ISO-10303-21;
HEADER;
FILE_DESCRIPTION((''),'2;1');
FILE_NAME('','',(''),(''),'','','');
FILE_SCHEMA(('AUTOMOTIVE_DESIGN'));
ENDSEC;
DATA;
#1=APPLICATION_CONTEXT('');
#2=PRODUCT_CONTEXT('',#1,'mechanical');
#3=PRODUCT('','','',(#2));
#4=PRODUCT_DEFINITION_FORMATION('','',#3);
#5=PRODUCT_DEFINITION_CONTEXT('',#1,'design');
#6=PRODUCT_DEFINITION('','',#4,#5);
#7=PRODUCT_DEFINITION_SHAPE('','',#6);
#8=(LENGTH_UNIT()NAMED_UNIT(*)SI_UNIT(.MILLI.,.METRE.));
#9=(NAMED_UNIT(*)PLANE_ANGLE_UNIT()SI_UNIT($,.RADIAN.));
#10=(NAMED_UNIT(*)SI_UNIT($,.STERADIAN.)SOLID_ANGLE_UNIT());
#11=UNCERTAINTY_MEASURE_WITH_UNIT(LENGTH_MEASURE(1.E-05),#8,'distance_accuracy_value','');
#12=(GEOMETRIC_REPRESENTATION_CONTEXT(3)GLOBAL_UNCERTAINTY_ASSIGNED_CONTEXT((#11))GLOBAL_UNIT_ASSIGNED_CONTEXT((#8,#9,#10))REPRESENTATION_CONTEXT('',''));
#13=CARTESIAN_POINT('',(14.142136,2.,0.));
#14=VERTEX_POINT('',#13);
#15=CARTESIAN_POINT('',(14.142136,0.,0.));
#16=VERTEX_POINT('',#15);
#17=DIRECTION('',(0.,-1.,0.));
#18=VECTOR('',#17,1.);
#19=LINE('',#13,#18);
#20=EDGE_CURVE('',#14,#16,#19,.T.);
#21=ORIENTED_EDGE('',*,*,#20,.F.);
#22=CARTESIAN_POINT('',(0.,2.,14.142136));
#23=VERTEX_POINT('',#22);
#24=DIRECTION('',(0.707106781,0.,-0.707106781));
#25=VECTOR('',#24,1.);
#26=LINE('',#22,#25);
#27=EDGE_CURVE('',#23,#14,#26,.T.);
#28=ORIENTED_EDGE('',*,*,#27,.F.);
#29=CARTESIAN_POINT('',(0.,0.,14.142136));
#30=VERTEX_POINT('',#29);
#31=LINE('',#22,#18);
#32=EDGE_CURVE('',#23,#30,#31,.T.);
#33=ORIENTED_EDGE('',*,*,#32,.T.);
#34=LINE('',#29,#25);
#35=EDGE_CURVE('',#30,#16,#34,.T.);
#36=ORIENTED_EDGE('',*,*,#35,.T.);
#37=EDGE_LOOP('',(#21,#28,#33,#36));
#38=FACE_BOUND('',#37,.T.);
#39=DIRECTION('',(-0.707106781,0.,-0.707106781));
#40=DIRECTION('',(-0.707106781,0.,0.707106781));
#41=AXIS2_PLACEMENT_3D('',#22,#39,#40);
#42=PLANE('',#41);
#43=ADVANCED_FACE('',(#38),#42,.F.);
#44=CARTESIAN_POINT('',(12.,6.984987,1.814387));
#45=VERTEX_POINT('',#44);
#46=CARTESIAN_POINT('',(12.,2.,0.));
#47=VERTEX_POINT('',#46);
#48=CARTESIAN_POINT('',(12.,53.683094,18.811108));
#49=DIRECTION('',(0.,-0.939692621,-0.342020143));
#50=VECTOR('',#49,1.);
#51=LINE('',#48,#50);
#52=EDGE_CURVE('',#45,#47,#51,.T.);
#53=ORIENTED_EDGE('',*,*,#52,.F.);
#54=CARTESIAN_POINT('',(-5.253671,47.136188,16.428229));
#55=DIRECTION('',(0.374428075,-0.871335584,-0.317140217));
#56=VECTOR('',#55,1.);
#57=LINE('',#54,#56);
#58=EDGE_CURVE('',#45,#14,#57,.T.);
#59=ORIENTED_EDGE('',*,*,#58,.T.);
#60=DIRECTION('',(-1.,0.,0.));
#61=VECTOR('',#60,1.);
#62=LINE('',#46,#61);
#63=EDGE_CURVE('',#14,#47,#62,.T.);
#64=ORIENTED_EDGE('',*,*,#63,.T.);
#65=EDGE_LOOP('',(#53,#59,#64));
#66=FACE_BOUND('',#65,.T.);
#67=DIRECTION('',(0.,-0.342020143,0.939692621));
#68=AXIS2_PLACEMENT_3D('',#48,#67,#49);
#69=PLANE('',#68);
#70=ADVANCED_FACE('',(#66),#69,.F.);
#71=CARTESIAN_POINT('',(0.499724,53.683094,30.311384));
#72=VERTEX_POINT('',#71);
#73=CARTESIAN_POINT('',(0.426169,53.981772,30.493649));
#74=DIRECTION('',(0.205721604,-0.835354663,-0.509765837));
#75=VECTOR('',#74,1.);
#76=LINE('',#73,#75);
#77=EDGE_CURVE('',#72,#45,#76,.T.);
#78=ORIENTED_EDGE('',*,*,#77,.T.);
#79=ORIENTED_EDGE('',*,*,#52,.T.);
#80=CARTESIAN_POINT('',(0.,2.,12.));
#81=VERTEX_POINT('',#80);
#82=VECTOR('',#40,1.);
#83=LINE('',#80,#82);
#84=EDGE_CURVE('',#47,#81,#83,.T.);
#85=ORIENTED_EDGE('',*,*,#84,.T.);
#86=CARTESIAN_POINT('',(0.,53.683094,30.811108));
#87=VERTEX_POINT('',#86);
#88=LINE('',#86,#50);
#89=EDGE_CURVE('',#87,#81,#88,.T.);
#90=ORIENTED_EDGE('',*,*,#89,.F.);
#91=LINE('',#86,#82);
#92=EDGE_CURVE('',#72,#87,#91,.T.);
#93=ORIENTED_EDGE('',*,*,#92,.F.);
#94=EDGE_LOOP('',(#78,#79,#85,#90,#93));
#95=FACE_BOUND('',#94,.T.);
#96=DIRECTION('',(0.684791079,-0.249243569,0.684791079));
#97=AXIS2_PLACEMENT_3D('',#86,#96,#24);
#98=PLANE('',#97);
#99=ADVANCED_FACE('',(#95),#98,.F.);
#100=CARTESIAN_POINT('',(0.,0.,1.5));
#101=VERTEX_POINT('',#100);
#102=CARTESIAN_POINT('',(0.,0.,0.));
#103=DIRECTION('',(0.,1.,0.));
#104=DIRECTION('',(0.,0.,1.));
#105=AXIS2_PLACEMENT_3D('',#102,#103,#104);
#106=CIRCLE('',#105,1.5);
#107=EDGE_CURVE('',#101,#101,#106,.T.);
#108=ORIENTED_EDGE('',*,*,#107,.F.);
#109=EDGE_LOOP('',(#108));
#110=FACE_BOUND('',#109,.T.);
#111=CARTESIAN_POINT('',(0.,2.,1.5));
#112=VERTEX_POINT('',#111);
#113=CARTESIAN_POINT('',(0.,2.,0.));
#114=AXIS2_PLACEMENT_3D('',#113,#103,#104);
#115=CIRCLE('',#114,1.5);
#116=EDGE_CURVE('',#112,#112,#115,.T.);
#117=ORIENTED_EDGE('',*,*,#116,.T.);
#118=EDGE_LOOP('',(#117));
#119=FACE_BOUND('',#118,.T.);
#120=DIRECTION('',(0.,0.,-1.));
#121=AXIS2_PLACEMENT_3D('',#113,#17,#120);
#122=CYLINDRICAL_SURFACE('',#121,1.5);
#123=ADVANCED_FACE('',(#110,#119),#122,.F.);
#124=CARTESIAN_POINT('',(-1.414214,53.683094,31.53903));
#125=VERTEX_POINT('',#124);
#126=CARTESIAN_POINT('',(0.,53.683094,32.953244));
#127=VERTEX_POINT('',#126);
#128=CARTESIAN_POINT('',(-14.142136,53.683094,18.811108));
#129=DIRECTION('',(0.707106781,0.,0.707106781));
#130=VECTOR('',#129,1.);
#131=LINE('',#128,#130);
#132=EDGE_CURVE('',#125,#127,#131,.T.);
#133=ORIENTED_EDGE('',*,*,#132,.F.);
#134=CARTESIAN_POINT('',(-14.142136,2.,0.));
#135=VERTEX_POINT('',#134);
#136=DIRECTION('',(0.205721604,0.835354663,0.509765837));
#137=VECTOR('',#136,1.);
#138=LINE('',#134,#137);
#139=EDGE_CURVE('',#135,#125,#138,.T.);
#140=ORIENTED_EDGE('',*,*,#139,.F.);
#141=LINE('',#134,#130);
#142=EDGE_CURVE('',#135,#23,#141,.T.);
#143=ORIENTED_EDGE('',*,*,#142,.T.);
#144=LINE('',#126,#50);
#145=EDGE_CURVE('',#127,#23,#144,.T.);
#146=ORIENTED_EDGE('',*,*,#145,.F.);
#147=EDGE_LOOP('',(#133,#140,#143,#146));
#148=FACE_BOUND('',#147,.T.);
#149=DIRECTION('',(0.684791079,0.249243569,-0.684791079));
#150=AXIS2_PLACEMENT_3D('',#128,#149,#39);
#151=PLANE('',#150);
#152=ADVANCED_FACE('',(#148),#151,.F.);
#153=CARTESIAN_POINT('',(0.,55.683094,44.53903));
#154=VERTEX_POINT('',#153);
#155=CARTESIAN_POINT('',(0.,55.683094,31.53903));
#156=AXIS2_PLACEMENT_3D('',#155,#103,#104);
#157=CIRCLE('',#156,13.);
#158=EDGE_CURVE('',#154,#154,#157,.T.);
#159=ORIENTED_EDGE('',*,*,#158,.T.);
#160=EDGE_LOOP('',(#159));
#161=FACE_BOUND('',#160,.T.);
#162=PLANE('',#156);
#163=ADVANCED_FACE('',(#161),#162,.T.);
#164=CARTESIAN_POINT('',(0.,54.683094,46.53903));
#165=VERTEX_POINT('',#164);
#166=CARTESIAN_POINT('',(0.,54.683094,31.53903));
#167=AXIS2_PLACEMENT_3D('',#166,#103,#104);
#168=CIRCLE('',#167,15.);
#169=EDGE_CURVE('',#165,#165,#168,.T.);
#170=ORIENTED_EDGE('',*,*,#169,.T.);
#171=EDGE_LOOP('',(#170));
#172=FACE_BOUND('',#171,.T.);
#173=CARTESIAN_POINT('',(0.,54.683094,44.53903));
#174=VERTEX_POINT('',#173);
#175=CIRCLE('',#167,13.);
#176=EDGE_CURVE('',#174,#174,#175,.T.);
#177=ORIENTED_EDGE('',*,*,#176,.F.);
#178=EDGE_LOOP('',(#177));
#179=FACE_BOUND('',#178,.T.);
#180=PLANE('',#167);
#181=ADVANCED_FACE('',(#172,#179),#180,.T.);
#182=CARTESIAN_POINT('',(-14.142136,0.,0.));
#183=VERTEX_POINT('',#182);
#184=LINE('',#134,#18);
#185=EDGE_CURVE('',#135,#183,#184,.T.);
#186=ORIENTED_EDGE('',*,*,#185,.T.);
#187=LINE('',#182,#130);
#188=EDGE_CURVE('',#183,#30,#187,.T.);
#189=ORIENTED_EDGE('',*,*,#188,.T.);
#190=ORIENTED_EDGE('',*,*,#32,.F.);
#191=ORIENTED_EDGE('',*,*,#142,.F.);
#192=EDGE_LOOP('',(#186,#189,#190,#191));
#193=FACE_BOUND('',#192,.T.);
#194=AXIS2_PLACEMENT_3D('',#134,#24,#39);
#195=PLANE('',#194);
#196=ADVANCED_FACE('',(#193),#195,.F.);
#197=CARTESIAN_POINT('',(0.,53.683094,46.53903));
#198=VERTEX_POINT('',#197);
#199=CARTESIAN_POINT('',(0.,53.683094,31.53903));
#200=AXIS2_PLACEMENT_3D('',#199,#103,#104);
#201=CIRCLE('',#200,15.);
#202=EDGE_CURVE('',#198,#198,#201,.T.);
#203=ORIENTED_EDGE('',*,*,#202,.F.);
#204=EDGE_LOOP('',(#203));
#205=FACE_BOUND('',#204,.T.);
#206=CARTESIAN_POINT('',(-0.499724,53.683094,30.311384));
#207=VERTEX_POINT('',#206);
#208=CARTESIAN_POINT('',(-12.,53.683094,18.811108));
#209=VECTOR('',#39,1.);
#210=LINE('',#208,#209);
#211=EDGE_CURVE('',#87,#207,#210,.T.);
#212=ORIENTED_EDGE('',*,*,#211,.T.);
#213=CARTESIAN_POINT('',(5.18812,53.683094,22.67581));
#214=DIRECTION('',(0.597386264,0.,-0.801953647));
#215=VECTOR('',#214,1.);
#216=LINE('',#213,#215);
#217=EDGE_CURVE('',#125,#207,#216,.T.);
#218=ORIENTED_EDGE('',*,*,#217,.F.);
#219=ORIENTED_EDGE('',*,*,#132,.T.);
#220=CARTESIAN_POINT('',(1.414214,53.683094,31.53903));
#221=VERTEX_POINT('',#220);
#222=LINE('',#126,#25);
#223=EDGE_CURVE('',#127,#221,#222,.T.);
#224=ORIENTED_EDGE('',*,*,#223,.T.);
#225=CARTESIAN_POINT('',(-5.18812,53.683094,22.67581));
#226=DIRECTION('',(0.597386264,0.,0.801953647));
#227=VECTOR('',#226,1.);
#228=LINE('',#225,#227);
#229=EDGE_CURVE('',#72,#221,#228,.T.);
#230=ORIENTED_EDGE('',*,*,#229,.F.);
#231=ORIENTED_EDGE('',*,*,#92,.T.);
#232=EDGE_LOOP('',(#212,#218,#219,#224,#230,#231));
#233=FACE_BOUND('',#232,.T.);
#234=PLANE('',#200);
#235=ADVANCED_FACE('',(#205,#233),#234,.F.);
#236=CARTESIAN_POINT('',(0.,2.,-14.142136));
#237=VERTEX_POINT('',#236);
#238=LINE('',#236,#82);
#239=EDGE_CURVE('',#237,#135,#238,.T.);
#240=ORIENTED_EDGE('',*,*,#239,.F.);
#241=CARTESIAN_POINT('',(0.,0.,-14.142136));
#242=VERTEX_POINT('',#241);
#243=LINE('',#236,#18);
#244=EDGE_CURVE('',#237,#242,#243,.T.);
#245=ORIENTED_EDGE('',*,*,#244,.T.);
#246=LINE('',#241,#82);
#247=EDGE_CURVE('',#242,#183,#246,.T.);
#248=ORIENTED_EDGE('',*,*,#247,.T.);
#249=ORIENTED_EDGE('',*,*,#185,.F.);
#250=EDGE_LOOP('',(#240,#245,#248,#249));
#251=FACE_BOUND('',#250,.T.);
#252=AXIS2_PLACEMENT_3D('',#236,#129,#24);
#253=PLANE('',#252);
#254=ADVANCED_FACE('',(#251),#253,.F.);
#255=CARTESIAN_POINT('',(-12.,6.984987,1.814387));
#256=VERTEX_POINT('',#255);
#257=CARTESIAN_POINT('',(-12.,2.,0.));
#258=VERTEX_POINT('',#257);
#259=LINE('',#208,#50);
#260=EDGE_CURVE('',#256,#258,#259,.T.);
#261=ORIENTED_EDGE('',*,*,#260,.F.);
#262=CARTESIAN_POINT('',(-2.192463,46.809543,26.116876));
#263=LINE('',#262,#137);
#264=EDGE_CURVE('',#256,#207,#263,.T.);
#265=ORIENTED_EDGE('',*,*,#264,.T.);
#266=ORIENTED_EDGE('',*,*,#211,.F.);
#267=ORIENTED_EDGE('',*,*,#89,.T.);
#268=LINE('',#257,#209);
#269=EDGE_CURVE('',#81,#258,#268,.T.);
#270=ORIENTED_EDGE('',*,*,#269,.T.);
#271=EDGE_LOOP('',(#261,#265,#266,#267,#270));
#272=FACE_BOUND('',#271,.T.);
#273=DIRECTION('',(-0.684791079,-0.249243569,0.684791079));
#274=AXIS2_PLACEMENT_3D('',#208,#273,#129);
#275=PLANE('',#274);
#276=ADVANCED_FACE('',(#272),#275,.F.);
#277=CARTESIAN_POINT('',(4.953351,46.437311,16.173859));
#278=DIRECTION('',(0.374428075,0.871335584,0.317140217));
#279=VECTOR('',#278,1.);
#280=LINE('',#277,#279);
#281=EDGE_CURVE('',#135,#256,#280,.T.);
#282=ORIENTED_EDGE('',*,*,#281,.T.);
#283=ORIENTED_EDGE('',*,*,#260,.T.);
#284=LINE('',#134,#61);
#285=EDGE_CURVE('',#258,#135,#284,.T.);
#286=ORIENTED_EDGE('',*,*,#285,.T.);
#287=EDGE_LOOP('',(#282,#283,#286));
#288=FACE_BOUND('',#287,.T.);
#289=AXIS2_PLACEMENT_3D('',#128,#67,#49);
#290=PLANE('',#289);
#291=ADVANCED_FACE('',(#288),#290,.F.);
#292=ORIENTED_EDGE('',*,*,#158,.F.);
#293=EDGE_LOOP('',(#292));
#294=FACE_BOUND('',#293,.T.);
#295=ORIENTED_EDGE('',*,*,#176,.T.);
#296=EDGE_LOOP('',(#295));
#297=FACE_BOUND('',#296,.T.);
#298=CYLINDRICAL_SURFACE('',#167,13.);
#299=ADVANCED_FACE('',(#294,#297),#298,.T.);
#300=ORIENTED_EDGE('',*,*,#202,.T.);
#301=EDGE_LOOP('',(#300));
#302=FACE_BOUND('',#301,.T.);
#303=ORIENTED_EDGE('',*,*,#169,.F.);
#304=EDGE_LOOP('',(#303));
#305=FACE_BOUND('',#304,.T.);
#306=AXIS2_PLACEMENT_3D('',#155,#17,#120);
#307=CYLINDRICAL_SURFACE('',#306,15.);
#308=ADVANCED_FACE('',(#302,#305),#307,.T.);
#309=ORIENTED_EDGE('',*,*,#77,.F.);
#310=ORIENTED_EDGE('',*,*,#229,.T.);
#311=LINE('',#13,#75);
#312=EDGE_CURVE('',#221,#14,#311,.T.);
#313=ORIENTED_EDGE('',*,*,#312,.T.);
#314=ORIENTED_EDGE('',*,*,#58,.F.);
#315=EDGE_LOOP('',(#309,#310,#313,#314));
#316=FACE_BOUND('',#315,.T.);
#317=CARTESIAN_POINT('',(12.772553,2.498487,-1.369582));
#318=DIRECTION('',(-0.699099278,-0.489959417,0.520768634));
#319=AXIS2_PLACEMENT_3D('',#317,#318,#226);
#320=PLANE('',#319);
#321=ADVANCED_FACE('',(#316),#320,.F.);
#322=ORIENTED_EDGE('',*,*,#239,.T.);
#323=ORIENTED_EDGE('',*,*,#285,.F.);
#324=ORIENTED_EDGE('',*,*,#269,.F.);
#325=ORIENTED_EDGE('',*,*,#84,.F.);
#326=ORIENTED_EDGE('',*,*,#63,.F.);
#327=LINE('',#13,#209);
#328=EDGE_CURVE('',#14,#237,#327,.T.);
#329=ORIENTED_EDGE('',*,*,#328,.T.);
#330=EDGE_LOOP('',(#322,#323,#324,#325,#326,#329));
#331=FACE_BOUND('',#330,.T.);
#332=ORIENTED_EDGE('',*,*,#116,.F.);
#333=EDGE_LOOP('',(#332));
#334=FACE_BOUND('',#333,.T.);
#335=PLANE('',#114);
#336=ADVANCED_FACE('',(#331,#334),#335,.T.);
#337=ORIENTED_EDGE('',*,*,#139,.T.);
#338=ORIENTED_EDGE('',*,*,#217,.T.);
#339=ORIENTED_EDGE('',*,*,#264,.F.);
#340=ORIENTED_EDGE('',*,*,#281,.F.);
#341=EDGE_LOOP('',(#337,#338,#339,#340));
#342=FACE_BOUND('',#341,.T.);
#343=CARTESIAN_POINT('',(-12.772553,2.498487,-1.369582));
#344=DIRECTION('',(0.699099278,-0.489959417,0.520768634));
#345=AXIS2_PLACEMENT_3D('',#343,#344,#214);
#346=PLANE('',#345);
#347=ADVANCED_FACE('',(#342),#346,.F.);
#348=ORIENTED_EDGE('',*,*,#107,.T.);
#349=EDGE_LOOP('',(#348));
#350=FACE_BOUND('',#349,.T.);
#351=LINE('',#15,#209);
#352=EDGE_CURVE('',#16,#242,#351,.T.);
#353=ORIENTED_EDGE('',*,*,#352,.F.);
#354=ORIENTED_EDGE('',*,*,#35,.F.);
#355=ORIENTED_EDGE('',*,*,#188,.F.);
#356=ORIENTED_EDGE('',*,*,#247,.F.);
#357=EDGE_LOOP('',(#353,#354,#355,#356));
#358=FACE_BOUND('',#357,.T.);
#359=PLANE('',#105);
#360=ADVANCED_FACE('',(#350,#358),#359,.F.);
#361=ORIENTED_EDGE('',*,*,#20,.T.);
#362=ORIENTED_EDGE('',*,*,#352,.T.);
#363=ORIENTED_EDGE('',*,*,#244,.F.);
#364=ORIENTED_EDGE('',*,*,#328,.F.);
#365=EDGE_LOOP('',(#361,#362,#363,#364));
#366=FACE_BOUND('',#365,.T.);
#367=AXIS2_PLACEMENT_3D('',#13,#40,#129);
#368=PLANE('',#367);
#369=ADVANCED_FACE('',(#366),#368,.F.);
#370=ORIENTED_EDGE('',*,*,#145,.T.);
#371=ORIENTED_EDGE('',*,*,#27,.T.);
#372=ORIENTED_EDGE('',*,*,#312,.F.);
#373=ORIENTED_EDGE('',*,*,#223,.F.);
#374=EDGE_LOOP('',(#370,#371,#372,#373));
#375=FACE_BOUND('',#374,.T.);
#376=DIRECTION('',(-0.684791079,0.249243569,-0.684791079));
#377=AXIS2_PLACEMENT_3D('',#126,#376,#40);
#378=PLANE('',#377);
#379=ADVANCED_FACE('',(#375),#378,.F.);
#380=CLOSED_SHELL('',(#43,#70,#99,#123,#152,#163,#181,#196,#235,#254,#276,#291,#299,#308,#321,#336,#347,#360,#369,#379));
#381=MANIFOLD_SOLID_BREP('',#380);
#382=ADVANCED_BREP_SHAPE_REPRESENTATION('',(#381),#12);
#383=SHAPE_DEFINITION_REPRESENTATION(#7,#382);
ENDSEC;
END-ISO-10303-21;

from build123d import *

# Parameters (mm, degrees)
SKETCH1_R           = 1.5
BOSS_EXTRUDE2_DEPTH = 2
BOSS_EXTRUDE3_DEPTH = 55
CUT_EXTRUDE1_DEPTH  = 2
CUT_EXTRUDE2_DEPTH  = 2
SKETCH8_R           = 15
BOSS_EXTRUDE6_DEPTH = 2
CUT_EXTRUDE3_START  = -1
SKETCH12_R          = 15
SKETCH12_R_2        = 13
CUT_EXTRUDE3_DEPTH  = 1


with BuildPart() as part:
    # Sketch1 → Boss-Extrude2 (new body)
    with BuildSketch(Plane(origin=(0, 0, 0), x_dir=(1, 0, 0), z_dir=(0, 1, 0))):
        Polygon((0, 14.142135624), (-14.142135624, 0), (0, -14.142135624), (14.142135624, 0), align=None)
        with Locations(Location((0, 0, 0), (0, 0, 270))):
            Circle(SKETCH1_R, mode=Mode.SUBTRACT)
    extrude(amount=BOSS_EXTRUDE2_DEPTH)

    # Sketch3 → Boss-Extrude3 (add, along a direction that is not the sketch's normal)
    with BuildSketch(Plane(origin=(0, 2, 0), x_dir=(1, 0, 0), z_dir=(0, 1, 0))):
        Polygon((0, -14.142135624), (14.142135624, 0), (12, 0), (0, -12), (-12, 0), (-14.142135624, 0), align=None)
    extrude(amount=BOSS_EXTRUDE3_DEPTH, dir=(0, 0.9396926207859093, 0.34202014332566616))

    # Sketch5 → Cut-Extrude1 (cut)
    with BuildSketch(Plane(origin=(6.290436868, -2.289531781, 6.290436868), x_dir=(0.643493123501823, -0.23421234290964707, -0.7287394448186825), z_dir=(0.6847910787717363, -0.24924356936395234, 0.6847910787717364))):
        Polygon((8.63194234, 6.716280495), (-17.181272543, 55.28250268), (-34.646941723, 50.929296953), align=None)
    extrude(amount=-CUT_EXTRUDE1_DEPTH, mode=Mode.SUBTRACT)

    # Sketch6 → Cut-Extrude2 (cut)
    with BuildSketch(Plane(origin=(-6.290436868, -2.289531781, 6.290436868), x_dir=(0.6434931235018196, 0.23421234290964207, 0.7287394448186869), z_dir=(-0.6847910787717418, -0.24924356936395037, 0.6847910787717316))):
        Polygon((17.181272543, 55.28250268), (34.646941723, 50.929296953), (-8.63194234, 6.716280495), align=None)
    extrude(amount=-CUT_EXTRUDE2_DEPTH, mode=Mode.SUBTRACT)

    # Sketch8 → Boss-Extrude6 (add)
    with BuildSketch(Plane(origin=(0, 53.683094143, 0), x_dir=(1, 0, 0), z_dir=(0, 1, 0))):
        with Locations(Location((0, -31.539029944, 0), (0, 0, 270))):
            Circle(SKETCH8_R)
    extrude(amount=BOSS_EXTRUDE6_DEPTH)

    # Sketch12 → Cut-Extrude3 (cut)
    with BuildSketch(Plane(origin=(0, 55.683094143, 0), x_dir=(1, 0, 0), z_dir=(0, 1, 0)).offset(CUT_EXTRUDE3_START)):
        with Locations(Location((0, -31.539029944, 0), (0, 0, 270))):
            Circle(SKETCH12_R)
        with Locations(Location((0, -31.539029944, 0), (0, 0, 270))):
            Circle(SKETCH12_R_2, mode=Mode.SUBTRACT)
    extrude(amount=CUT_EXTRUDE3_DEPTH, mode=Mode.SUBTRACT)


solid = part.part
